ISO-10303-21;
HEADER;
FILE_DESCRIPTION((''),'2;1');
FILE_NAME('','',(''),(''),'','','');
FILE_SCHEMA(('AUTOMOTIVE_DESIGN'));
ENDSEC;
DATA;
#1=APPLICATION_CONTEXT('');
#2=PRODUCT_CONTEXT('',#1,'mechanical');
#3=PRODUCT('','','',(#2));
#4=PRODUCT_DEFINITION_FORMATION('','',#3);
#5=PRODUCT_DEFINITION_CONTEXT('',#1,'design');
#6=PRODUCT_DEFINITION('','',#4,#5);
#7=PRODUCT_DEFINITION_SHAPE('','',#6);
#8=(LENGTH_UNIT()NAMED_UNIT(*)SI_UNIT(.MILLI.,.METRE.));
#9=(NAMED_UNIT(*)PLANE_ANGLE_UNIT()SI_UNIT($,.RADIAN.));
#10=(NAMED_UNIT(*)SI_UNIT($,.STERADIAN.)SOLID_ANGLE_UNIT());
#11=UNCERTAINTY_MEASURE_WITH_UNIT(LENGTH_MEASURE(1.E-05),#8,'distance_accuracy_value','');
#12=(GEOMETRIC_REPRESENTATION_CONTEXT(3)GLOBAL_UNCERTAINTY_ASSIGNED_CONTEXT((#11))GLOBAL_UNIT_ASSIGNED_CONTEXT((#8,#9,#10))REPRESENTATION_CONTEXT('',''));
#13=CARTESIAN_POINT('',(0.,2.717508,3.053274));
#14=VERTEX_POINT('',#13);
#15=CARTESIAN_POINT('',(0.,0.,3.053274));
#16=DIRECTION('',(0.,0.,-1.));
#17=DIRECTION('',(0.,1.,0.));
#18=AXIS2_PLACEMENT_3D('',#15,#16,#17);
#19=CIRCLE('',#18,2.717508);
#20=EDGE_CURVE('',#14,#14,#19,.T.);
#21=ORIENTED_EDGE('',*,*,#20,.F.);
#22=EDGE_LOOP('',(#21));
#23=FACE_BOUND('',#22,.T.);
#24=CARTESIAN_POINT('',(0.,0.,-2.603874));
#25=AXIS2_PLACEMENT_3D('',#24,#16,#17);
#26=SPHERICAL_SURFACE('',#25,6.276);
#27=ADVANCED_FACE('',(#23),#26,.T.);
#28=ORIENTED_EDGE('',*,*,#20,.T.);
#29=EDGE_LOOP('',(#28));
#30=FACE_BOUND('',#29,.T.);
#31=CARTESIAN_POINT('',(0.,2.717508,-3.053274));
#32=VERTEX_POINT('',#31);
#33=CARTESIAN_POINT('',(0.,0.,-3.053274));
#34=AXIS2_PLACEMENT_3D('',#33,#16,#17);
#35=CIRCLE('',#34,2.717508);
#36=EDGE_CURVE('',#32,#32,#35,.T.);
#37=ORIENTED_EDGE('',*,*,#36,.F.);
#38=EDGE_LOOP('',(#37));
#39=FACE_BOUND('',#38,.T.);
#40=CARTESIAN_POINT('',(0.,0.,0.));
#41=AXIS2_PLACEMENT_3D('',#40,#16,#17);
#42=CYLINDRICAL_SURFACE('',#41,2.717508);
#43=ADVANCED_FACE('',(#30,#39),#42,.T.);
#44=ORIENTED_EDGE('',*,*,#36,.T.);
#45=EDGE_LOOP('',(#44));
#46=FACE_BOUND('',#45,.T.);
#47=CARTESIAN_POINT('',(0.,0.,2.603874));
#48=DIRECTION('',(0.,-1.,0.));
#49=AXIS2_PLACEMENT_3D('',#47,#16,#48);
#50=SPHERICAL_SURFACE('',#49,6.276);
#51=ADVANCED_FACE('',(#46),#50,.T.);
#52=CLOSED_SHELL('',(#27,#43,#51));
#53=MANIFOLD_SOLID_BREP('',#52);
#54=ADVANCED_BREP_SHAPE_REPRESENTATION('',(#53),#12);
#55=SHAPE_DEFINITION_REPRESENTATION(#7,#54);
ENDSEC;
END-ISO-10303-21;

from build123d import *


with BuildPart() as part:
    # Sketch3 → Revolve1 (revolve)
    with BuildSketch(Plane(origin=(0, 0, 0), x_dir=(0, 0, -1), z_dir=(1, 0, 0))):
        with BuildLine():
            Line((0, 2.717508), (0, 0))
            Line((0, 0), (3.672125755, 0))
            ThreePointArc((3.672125755, 0), (3.515457352, 1.393541103), (3.053274, 2.717508))
            Line((3.053274, 2.717508), (0, 2.717508))
        make_face()
        with BuildLine():
            ThreePointArc((-3.053274, 2.717508), (-3.515457352, 1.393541103), (-3.672125755, 0))
            Line((-3.672125755, 0), (-2.603874245, 0))
            Line((-2.603874245, 0), (0, 0))
            Line((0, 0), (0, 2.717508))
            Line((0, 2.717508), (-3.053274, 2.717508))
        make_face()
    revolve(axis=Axis((0, 0, 0), (0, 0, 1)))


solid = part.part
